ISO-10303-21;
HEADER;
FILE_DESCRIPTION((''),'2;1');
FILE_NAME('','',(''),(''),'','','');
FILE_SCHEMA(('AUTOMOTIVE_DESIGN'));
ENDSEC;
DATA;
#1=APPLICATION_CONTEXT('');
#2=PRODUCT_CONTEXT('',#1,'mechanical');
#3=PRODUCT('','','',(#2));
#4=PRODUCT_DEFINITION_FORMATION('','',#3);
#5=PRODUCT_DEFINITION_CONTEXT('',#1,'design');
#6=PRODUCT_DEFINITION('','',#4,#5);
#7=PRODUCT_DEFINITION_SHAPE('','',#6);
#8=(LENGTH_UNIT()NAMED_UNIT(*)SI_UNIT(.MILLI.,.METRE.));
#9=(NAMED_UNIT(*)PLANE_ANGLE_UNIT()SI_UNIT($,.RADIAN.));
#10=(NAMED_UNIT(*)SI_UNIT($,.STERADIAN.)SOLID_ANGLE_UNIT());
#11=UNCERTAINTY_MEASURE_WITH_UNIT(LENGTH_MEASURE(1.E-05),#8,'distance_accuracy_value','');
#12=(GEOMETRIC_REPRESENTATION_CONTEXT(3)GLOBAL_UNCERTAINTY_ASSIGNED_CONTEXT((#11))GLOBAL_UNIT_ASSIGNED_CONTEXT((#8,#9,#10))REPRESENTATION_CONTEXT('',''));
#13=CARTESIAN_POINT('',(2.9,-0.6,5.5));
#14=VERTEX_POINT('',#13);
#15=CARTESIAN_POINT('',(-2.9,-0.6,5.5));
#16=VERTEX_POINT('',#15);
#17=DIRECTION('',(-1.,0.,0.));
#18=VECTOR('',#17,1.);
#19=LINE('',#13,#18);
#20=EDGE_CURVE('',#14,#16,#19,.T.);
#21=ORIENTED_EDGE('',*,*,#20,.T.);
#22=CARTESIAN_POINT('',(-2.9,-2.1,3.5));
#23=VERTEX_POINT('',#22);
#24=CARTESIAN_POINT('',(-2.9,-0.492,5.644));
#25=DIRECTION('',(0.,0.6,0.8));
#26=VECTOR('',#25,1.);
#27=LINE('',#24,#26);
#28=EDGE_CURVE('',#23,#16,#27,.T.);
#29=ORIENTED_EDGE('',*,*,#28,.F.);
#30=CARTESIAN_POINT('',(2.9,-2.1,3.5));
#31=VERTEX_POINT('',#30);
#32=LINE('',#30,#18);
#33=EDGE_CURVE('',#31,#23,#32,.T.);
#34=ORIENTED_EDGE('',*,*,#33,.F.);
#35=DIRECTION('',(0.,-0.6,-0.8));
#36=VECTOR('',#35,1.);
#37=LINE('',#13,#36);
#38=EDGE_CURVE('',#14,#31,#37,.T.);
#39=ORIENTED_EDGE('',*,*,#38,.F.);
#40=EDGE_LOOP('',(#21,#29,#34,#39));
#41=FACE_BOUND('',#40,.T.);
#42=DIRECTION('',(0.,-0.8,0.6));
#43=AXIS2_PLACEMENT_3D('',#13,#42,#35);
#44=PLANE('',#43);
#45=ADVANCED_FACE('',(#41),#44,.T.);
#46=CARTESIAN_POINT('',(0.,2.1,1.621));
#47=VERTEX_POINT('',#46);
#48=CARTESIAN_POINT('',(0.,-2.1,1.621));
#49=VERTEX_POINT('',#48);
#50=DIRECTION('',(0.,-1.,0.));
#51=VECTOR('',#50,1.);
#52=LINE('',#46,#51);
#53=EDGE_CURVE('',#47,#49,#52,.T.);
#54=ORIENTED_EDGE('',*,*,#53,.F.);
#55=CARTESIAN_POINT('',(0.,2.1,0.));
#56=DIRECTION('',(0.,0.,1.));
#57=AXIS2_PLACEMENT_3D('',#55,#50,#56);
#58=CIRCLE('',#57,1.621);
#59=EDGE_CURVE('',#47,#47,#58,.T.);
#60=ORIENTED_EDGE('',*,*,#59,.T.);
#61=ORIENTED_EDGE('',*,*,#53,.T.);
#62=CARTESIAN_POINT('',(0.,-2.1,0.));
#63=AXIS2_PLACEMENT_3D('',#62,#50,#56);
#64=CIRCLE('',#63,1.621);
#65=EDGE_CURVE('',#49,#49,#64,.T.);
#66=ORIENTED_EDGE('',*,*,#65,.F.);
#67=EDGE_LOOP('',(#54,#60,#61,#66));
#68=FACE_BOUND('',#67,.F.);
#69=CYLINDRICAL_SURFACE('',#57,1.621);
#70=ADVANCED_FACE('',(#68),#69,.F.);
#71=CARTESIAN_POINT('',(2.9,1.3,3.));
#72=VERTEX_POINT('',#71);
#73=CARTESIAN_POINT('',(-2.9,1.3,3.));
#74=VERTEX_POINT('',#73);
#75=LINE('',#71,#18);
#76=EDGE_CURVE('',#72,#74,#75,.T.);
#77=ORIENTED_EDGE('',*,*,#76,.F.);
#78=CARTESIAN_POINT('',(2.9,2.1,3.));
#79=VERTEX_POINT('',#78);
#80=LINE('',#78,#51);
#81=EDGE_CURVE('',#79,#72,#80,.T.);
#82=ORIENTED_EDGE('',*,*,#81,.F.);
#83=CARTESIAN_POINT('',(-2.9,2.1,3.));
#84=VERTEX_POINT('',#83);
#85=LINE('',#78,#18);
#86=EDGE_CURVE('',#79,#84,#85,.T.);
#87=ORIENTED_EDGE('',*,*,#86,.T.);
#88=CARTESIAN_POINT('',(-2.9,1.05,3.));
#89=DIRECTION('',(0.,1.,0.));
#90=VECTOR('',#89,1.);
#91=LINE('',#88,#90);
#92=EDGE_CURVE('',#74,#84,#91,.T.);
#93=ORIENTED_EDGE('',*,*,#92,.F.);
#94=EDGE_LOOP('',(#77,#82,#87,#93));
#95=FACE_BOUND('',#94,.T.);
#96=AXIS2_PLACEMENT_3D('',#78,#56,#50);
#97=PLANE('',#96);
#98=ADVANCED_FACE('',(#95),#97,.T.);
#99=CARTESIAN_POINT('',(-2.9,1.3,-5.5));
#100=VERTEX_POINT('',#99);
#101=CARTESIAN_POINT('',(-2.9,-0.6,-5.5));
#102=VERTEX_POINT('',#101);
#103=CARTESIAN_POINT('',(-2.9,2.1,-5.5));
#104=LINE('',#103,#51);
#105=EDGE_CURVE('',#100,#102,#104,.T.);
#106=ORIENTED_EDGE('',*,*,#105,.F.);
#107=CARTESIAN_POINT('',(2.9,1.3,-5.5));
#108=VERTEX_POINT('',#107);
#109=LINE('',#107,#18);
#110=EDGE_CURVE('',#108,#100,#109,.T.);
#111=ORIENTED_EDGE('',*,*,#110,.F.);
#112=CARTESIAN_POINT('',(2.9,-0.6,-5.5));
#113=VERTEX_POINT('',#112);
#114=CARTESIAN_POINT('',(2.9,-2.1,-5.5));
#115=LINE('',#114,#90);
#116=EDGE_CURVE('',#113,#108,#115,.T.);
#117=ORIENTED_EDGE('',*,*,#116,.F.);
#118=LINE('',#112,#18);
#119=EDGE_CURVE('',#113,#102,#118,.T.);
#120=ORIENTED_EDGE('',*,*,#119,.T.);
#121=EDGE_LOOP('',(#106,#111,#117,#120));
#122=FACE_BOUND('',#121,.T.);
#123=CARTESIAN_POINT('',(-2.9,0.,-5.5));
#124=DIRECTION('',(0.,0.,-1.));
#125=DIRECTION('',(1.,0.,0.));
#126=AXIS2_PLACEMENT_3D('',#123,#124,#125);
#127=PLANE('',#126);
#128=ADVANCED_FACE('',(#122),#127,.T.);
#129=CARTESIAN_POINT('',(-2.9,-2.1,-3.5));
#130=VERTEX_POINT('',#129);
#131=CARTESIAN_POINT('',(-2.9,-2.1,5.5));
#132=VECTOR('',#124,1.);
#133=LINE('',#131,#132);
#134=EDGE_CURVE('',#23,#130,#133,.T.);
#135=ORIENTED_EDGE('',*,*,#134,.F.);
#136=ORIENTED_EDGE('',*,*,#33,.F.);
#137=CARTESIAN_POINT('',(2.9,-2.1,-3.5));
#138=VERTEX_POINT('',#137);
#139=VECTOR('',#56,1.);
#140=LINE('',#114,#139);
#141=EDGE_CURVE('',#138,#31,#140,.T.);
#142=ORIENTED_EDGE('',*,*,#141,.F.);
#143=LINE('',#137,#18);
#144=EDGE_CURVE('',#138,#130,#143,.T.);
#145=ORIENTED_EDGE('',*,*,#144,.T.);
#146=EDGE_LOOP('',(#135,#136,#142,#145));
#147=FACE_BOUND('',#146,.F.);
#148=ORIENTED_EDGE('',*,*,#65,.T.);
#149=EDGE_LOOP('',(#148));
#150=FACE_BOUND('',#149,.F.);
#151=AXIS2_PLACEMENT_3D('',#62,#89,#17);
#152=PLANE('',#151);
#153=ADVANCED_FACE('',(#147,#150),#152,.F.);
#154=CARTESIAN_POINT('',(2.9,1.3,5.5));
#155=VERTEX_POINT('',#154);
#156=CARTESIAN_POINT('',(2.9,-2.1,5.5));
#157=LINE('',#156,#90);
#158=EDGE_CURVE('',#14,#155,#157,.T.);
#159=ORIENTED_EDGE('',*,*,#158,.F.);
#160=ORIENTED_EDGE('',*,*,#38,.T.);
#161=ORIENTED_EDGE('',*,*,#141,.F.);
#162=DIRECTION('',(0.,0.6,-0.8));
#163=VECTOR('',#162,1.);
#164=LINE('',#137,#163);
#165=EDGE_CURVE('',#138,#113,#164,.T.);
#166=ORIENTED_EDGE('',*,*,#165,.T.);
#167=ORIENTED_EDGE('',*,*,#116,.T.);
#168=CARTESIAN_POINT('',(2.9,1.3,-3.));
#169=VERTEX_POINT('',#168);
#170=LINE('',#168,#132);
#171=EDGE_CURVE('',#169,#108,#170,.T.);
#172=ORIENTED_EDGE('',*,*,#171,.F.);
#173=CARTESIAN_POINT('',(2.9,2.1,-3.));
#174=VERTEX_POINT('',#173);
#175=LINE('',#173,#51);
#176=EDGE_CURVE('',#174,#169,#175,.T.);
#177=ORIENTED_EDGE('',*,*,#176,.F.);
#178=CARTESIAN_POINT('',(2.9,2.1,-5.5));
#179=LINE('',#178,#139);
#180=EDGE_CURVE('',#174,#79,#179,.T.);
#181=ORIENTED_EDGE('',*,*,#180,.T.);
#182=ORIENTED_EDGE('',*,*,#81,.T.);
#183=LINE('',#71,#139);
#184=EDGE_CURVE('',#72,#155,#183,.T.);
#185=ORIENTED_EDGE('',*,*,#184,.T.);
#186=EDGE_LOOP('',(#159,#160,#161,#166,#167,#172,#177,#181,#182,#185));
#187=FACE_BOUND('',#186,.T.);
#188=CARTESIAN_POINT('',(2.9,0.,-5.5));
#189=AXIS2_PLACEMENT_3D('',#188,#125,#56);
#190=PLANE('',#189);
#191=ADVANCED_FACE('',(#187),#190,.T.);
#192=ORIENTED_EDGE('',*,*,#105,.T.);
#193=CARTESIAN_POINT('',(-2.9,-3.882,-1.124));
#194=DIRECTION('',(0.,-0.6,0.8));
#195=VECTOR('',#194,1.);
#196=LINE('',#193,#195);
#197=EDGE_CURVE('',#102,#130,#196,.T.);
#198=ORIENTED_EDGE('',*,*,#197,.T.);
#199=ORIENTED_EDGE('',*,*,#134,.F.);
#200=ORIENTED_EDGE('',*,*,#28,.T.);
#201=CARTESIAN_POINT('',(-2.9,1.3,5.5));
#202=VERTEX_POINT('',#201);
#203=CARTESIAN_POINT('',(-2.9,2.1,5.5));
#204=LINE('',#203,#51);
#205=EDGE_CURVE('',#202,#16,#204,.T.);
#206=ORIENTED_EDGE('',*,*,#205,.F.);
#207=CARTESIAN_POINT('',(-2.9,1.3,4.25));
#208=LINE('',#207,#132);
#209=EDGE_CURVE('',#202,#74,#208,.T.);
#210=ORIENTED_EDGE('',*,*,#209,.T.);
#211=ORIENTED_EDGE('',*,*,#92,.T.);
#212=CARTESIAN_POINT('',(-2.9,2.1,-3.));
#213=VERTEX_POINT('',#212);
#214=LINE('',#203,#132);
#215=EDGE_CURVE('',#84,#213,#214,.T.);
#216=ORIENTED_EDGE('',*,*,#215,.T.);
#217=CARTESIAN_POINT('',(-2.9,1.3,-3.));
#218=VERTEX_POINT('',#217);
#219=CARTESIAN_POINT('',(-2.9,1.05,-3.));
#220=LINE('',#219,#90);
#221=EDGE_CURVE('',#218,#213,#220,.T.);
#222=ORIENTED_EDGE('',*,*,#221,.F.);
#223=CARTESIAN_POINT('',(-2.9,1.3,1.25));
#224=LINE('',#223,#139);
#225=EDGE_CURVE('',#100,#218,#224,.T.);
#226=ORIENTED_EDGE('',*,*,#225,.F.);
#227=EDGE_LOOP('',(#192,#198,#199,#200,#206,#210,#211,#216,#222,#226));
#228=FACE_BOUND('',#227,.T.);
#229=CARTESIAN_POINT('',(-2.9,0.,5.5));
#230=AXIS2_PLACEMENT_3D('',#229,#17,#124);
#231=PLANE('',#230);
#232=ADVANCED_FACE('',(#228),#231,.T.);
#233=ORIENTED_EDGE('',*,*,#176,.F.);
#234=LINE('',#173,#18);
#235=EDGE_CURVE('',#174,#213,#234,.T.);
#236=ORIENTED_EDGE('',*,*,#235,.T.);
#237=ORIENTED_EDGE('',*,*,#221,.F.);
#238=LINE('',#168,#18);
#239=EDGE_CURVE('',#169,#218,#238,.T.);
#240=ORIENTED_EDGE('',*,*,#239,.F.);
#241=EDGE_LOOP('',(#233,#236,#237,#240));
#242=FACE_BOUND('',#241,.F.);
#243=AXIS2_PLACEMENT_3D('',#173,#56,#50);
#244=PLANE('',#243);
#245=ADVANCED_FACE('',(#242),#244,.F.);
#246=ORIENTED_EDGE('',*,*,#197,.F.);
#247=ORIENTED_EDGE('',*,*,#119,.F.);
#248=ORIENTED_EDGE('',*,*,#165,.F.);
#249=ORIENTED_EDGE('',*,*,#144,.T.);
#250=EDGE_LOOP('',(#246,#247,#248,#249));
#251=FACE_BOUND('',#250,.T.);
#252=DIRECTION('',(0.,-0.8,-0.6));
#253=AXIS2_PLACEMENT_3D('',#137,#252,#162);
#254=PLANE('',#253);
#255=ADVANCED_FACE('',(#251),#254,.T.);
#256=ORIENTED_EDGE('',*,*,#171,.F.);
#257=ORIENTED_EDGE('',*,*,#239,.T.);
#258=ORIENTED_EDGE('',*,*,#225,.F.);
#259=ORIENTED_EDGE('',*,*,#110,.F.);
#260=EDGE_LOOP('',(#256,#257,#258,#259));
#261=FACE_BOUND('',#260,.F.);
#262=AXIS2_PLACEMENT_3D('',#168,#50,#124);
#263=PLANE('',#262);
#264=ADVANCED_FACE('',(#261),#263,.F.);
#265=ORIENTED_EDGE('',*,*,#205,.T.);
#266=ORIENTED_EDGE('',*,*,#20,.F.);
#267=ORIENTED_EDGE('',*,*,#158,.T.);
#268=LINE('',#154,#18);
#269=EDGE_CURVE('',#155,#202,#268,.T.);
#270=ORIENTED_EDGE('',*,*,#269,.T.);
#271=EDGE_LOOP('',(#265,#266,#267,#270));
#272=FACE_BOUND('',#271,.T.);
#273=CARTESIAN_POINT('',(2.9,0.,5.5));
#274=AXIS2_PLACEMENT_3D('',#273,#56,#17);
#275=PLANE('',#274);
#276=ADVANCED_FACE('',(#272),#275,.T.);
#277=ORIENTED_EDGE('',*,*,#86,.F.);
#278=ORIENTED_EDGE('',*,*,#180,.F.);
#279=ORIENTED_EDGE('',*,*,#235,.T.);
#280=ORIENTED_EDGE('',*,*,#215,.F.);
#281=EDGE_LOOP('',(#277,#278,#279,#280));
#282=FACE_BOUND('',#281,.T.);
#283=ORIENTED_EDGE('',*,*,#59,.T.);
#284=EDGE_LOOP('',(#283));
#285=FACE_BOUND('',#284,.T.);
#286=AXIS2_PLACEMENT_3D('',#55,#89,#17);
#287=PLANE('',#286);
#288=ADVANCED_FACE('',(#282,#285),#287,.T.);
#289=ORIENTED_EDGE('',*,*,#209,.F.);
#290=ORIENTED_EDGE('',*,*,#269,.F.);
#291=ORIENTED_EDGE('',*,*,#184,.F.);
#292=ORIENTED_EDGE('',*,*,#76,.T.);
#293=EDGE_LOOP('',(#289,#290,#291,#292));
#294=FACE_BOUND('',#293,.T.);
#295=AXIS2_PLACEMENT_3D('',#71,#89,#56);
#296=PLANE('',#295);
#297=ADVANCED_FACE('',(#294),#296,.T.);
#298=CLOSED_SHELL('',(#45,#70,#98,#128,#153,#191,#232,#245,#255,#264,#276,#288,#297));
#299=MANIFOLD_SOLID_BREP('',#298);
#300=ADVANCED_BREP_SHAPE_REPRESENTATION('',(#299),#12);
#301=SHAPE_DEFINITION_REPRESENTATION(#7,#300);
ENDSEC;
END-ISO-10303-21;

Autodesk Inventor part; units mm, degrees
ref_plane "YZ Plane" through (0, 0, 0) normal (1, 0, 0) x (0, 1, 0)
ref_plane "XZ Plane" through (0, 0, 0) normal (0, 1, 0) x (-1, 0, 0)
ref_plane "XY Plane" through (0, 0, 0) normal (0, 0, 1) x (1, 0, 0)
sketch "Sketch1" plane through (0, 0, 0) normal (0, 1, 0) x (-1, 0, 0)
  line L0 (-2.9, 5.5) -> (2.9, 5.5)
  line L1 (2.9, 5.5) -> (2.9, -5.5)
  line L2 (2.9, -5.5) -> (-2.9, -5.5)
  line L3 (-2.9, -5.5) -> (-2.9, 5.5)
  line L4 (-2.9, 5.5) -> (2.9, -5.5) construction
  line L5 (2.9, 5.5) -> (-2.9, -5.5) construction
  point P0 (0, 0)
  dimension "d0" = 11
  dimension "d1" = 5.8
extrude "Extrusion1" add sketch "Sketch1" along normal mid plane 4.2
sketch "Sketch2" plane through (2.9, -2.1, -5.5) normal (1, 0, 0) x (0, 0, -1)
  line L0 (0, 4.2) -> (0, 0) projected
  line L1 (-11, 4.2) -> (0, 4.2) projected
  line L2 (-11, 0) -> (-11, 4.2) projected
  line L3 (0, 0) -> (-11, 0) projected
  line L4 (-11, 0) -> (-11, 4.2) projected
  line L5 (-11, 1.5) -> (-9, 0)
  line L6 (0, 0) -> (-11, 0) projected
  line L7 (-2, 0) -> (0, 1.5)
  line L8 (-11, 4.2) -> (-8.5, 4.2)
  line L9 (-8.5, 4.2) -> (-8.5, 3.4)
  line L10 (-8.5, 3.4) -> (-11, 3.4)
  line L11 (-11, 3.4) -> (-11, 4.2)
  line L12 (0, 4.2) -> (-2.5, 4.2)
  line L13 (-2.5, 4.2) -> (-2.5, 3.4)
  line L14 (-2.5, 3.4) -> (0, 3.4)
  line L15 (0, 3.4) -> (0, 4.2)
  point P0 (-5.5, 2.1)
  dimension "d4" = 6
  dimension "d5" = 3
  dimension "d6" = 7
  dimension "d7" = 3.5
  dimension "d8" = 1.5
  dimension "d9" = 3.4
extrude "Extrusion2" cut sketch "Sketch2" against normal through all contours L0 L14 L13 L1 | L0 L3 L7 | L9 L10 L2 L1 | L3 L2 L5
sketch "Sketch3" plane through (0, 2.1, 0) normal (0, 1, 0) x (1, 0, 0)
  point P0 (0, 0)
  point P1 (0, 0)
hole "Hole1" at (0, 2.1, 0) direction (0, -1, 0) diameter 3.242 end through all thread size "M4x0.7" class "6H" standard "ISO Metric profile"
equation "\"d5\" = 0.5 * d4"
equation "\"d7\" = 0.5 * d6"
properties part number "RHOMBUS NUT 4"
